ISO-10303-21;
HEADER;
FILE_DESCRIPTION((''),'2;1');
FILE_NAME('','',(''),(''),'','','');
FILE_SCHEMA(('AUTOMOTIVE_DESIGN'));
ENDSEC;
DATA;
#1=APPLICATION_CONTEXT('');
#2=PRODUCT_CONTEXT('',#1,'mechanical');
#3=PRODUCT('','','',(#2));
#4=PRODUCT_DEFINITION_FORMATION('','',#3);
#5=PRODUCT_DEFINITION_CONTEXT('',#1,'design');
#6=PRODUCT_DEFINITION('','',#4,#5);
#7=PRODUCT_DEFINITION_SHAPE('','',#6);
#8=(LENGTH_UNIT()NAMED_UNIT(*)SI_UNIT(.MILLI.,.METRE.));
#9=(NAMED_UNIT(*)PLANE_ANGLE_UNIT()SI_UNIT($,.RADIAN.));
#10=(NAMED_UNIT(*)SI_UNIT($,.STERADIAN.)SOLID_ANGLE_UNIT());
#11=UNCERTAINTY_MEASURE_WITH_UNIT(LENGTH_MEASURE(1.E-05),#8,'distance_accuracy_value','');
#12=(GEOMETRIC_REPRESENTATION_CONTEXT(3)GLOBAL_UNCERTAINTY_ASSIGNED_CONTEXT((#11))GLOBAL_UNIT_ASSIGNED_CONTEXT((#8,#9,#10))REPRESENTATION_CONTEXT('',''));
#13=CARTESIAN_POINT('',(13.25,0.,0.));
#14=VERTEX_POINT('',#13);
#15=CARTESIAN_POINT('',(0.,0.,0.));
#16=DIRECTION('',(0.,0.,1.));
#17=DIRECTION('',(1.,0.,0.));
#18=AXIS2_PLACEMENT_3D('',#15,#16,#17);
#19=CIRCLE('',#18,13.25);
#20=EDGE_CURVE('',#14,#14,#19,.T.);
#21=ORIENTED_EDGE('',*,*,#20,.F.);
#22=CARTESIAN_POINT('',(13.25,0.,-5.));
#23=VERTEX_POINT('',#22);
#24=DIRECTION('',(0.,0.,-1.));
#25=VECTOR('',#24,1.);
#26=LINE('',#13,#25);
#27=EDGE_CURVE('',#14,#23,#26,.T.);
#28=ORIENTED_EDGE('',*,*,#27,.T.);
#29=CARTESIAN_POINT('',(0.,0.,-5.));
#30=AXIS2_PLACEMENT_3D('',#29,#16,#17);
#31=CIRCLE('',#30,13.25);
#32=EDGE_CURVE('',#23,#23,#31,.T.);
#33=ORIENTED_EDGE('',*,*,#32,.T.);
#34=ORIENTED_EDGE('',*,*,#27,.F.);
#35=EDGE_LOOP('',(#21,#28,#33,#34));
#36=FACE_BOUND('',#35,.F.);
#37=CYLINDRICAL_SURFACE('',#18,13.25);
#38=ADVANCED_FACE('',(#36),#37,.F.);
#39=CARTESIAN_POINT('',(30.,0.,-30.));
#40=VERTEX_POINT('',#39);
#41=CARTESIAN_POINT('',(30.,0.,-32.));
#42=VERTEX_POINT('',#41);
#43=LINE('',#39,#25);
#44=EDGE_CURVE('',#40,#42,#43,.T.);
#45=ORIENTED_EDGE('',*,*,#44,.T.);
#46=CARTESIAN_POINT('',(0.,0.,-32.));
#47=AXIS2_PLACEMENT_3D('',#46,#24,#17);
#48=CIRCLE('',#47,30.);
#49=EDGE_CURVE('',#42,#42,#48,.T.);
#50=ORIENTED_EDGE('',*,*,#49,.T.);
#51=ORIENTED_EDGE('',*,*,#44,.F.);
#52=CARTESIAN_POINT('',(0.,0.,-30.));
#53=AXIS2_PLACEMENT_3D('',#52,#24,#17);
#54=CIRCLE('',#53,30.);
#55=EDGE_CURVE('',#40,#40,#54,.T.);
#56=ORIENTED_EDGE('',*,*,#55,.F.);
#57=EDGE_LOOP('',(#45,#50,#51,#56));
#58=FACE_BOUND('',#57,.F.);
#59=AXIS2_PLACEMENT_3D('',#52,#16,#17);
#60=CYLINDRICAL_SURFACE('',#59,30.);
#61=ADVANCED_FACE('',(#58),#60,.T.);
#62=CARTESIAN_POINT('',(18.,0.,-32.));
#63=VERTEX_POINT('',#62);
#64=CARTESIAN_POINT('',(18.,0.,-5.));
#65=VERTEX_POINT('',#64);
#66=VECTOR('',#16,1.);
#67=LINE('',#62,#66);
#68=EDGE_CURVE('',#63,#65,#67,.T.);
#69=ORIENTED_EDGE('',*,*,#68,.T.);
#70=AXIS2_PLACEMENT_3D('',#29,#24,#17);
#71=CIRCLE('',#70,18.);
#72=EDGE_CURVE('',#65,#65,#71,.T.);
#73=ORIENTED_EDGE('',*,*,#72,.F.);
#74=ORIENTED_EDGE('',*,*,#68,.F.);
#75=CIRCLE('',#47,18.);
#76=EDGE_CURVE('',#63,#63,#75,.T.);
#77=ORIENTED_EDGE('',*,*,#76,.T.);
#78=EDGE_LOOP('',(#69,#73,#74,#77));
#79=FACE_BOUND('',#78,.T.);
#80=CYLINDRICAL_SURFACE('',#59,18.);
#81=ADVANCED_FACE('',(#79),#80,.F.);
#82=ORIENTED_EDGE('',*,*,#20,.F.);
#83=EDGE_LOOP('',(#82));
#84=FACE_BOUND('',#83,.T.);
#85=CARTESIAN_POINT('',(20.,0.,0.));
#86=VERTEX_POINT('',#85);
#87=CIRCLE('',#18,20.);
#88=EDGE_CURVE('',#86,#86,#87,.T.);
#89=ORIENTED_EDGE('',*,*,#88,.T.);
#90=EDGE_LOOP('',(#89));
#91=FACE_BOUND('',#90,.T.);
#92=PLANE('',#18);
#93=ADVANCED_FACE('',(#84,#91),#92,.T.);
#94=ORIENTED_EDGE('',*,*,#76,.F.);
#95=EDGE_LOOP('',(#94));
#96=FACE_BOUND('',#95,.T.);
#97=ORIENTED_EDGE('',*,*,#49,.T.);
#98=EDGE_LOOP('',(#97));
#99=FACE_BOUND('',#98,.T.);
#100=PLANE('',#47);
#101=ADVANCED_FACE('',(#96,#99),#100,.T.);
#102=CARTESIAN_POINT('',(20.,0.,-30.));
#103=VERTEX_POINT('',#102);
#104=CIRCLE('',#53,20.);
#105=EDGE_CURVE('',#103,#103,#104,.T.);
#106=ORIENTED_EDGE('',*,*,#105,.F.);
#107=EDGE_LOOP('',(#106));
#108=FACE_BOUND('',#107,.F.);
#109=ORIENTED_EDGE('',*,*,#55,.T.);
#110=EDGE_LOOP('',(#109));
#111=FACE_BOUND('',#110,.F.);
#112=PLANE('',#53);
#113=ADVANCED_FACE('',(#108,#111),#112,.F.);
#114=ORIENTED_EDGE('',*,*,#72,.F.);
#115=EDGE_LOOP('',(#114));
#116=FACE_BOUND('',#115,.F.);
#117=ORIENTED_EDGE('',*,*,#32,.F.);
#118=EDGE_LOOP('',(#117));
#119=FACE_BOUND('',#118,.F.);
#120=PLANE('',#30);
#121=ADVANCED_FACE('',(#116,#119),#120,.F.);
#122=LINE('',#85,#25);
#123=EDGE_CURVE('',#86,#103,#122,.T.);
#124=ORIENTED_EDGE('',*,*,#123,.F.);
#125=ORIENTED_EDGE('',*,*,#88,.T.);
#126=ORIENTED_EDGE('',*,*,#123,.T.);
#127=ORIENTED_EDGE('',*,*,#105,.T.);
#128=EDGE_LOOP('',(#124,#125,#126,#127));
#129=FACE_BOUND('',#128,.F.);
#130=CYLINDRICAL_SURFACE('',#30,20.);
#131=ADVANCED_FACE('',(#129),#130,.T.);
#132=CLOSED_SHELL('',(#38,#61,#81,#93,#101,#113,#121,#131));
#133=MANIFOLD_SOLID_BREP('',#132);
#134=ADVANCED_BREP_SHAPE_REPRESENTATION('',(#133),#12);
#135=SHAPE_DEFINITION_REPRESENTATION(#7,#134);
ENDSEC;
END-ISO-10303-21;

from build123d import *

# Parameters (mm, degrees)
F0_R     = 20
F0_R_2   = 13.25
F1_DEPTH = 5
F2_R     = 20
F2_R_2   = 18
F3_DEPTH = 25
F4_R     = 30
F4_R_2   = 18
F5_DEPTH = 2


with BuildPart() as f1:
    # F0 (on Top) → F1 (new body)
    with BuildSketch(Plane.XY):
        Circle(F0_R)
        Circle(F0_R_2, mode=Mode.SUBTRACT)
    extrude(amount=-F1_DEPTH)

    # F2 (on face) → F3 (join)
    with BuildSketch(Plane(origin=(0, 0, -5), x_dir=(1, 0, 0), z_dir=(0, 0, -1))):
        Circle(F2_R)
        Circle(F2_R_2, mode=Mode.SUBTRACT)
    extrude(amount=F3_DEPTH)

    # F4 (on face) → F5 (join)
    with BuildSketch(Plane(origin=(0, 0, -30), x_dir=(1, 0, 0), z_dir=(0, 0, -1))):
        Circle(F4_R)
        Circle(F4_R_2, mode=Mode.SUBTRACT)
    extrude(amount=F5_DEPTH)


solid = f1.part
